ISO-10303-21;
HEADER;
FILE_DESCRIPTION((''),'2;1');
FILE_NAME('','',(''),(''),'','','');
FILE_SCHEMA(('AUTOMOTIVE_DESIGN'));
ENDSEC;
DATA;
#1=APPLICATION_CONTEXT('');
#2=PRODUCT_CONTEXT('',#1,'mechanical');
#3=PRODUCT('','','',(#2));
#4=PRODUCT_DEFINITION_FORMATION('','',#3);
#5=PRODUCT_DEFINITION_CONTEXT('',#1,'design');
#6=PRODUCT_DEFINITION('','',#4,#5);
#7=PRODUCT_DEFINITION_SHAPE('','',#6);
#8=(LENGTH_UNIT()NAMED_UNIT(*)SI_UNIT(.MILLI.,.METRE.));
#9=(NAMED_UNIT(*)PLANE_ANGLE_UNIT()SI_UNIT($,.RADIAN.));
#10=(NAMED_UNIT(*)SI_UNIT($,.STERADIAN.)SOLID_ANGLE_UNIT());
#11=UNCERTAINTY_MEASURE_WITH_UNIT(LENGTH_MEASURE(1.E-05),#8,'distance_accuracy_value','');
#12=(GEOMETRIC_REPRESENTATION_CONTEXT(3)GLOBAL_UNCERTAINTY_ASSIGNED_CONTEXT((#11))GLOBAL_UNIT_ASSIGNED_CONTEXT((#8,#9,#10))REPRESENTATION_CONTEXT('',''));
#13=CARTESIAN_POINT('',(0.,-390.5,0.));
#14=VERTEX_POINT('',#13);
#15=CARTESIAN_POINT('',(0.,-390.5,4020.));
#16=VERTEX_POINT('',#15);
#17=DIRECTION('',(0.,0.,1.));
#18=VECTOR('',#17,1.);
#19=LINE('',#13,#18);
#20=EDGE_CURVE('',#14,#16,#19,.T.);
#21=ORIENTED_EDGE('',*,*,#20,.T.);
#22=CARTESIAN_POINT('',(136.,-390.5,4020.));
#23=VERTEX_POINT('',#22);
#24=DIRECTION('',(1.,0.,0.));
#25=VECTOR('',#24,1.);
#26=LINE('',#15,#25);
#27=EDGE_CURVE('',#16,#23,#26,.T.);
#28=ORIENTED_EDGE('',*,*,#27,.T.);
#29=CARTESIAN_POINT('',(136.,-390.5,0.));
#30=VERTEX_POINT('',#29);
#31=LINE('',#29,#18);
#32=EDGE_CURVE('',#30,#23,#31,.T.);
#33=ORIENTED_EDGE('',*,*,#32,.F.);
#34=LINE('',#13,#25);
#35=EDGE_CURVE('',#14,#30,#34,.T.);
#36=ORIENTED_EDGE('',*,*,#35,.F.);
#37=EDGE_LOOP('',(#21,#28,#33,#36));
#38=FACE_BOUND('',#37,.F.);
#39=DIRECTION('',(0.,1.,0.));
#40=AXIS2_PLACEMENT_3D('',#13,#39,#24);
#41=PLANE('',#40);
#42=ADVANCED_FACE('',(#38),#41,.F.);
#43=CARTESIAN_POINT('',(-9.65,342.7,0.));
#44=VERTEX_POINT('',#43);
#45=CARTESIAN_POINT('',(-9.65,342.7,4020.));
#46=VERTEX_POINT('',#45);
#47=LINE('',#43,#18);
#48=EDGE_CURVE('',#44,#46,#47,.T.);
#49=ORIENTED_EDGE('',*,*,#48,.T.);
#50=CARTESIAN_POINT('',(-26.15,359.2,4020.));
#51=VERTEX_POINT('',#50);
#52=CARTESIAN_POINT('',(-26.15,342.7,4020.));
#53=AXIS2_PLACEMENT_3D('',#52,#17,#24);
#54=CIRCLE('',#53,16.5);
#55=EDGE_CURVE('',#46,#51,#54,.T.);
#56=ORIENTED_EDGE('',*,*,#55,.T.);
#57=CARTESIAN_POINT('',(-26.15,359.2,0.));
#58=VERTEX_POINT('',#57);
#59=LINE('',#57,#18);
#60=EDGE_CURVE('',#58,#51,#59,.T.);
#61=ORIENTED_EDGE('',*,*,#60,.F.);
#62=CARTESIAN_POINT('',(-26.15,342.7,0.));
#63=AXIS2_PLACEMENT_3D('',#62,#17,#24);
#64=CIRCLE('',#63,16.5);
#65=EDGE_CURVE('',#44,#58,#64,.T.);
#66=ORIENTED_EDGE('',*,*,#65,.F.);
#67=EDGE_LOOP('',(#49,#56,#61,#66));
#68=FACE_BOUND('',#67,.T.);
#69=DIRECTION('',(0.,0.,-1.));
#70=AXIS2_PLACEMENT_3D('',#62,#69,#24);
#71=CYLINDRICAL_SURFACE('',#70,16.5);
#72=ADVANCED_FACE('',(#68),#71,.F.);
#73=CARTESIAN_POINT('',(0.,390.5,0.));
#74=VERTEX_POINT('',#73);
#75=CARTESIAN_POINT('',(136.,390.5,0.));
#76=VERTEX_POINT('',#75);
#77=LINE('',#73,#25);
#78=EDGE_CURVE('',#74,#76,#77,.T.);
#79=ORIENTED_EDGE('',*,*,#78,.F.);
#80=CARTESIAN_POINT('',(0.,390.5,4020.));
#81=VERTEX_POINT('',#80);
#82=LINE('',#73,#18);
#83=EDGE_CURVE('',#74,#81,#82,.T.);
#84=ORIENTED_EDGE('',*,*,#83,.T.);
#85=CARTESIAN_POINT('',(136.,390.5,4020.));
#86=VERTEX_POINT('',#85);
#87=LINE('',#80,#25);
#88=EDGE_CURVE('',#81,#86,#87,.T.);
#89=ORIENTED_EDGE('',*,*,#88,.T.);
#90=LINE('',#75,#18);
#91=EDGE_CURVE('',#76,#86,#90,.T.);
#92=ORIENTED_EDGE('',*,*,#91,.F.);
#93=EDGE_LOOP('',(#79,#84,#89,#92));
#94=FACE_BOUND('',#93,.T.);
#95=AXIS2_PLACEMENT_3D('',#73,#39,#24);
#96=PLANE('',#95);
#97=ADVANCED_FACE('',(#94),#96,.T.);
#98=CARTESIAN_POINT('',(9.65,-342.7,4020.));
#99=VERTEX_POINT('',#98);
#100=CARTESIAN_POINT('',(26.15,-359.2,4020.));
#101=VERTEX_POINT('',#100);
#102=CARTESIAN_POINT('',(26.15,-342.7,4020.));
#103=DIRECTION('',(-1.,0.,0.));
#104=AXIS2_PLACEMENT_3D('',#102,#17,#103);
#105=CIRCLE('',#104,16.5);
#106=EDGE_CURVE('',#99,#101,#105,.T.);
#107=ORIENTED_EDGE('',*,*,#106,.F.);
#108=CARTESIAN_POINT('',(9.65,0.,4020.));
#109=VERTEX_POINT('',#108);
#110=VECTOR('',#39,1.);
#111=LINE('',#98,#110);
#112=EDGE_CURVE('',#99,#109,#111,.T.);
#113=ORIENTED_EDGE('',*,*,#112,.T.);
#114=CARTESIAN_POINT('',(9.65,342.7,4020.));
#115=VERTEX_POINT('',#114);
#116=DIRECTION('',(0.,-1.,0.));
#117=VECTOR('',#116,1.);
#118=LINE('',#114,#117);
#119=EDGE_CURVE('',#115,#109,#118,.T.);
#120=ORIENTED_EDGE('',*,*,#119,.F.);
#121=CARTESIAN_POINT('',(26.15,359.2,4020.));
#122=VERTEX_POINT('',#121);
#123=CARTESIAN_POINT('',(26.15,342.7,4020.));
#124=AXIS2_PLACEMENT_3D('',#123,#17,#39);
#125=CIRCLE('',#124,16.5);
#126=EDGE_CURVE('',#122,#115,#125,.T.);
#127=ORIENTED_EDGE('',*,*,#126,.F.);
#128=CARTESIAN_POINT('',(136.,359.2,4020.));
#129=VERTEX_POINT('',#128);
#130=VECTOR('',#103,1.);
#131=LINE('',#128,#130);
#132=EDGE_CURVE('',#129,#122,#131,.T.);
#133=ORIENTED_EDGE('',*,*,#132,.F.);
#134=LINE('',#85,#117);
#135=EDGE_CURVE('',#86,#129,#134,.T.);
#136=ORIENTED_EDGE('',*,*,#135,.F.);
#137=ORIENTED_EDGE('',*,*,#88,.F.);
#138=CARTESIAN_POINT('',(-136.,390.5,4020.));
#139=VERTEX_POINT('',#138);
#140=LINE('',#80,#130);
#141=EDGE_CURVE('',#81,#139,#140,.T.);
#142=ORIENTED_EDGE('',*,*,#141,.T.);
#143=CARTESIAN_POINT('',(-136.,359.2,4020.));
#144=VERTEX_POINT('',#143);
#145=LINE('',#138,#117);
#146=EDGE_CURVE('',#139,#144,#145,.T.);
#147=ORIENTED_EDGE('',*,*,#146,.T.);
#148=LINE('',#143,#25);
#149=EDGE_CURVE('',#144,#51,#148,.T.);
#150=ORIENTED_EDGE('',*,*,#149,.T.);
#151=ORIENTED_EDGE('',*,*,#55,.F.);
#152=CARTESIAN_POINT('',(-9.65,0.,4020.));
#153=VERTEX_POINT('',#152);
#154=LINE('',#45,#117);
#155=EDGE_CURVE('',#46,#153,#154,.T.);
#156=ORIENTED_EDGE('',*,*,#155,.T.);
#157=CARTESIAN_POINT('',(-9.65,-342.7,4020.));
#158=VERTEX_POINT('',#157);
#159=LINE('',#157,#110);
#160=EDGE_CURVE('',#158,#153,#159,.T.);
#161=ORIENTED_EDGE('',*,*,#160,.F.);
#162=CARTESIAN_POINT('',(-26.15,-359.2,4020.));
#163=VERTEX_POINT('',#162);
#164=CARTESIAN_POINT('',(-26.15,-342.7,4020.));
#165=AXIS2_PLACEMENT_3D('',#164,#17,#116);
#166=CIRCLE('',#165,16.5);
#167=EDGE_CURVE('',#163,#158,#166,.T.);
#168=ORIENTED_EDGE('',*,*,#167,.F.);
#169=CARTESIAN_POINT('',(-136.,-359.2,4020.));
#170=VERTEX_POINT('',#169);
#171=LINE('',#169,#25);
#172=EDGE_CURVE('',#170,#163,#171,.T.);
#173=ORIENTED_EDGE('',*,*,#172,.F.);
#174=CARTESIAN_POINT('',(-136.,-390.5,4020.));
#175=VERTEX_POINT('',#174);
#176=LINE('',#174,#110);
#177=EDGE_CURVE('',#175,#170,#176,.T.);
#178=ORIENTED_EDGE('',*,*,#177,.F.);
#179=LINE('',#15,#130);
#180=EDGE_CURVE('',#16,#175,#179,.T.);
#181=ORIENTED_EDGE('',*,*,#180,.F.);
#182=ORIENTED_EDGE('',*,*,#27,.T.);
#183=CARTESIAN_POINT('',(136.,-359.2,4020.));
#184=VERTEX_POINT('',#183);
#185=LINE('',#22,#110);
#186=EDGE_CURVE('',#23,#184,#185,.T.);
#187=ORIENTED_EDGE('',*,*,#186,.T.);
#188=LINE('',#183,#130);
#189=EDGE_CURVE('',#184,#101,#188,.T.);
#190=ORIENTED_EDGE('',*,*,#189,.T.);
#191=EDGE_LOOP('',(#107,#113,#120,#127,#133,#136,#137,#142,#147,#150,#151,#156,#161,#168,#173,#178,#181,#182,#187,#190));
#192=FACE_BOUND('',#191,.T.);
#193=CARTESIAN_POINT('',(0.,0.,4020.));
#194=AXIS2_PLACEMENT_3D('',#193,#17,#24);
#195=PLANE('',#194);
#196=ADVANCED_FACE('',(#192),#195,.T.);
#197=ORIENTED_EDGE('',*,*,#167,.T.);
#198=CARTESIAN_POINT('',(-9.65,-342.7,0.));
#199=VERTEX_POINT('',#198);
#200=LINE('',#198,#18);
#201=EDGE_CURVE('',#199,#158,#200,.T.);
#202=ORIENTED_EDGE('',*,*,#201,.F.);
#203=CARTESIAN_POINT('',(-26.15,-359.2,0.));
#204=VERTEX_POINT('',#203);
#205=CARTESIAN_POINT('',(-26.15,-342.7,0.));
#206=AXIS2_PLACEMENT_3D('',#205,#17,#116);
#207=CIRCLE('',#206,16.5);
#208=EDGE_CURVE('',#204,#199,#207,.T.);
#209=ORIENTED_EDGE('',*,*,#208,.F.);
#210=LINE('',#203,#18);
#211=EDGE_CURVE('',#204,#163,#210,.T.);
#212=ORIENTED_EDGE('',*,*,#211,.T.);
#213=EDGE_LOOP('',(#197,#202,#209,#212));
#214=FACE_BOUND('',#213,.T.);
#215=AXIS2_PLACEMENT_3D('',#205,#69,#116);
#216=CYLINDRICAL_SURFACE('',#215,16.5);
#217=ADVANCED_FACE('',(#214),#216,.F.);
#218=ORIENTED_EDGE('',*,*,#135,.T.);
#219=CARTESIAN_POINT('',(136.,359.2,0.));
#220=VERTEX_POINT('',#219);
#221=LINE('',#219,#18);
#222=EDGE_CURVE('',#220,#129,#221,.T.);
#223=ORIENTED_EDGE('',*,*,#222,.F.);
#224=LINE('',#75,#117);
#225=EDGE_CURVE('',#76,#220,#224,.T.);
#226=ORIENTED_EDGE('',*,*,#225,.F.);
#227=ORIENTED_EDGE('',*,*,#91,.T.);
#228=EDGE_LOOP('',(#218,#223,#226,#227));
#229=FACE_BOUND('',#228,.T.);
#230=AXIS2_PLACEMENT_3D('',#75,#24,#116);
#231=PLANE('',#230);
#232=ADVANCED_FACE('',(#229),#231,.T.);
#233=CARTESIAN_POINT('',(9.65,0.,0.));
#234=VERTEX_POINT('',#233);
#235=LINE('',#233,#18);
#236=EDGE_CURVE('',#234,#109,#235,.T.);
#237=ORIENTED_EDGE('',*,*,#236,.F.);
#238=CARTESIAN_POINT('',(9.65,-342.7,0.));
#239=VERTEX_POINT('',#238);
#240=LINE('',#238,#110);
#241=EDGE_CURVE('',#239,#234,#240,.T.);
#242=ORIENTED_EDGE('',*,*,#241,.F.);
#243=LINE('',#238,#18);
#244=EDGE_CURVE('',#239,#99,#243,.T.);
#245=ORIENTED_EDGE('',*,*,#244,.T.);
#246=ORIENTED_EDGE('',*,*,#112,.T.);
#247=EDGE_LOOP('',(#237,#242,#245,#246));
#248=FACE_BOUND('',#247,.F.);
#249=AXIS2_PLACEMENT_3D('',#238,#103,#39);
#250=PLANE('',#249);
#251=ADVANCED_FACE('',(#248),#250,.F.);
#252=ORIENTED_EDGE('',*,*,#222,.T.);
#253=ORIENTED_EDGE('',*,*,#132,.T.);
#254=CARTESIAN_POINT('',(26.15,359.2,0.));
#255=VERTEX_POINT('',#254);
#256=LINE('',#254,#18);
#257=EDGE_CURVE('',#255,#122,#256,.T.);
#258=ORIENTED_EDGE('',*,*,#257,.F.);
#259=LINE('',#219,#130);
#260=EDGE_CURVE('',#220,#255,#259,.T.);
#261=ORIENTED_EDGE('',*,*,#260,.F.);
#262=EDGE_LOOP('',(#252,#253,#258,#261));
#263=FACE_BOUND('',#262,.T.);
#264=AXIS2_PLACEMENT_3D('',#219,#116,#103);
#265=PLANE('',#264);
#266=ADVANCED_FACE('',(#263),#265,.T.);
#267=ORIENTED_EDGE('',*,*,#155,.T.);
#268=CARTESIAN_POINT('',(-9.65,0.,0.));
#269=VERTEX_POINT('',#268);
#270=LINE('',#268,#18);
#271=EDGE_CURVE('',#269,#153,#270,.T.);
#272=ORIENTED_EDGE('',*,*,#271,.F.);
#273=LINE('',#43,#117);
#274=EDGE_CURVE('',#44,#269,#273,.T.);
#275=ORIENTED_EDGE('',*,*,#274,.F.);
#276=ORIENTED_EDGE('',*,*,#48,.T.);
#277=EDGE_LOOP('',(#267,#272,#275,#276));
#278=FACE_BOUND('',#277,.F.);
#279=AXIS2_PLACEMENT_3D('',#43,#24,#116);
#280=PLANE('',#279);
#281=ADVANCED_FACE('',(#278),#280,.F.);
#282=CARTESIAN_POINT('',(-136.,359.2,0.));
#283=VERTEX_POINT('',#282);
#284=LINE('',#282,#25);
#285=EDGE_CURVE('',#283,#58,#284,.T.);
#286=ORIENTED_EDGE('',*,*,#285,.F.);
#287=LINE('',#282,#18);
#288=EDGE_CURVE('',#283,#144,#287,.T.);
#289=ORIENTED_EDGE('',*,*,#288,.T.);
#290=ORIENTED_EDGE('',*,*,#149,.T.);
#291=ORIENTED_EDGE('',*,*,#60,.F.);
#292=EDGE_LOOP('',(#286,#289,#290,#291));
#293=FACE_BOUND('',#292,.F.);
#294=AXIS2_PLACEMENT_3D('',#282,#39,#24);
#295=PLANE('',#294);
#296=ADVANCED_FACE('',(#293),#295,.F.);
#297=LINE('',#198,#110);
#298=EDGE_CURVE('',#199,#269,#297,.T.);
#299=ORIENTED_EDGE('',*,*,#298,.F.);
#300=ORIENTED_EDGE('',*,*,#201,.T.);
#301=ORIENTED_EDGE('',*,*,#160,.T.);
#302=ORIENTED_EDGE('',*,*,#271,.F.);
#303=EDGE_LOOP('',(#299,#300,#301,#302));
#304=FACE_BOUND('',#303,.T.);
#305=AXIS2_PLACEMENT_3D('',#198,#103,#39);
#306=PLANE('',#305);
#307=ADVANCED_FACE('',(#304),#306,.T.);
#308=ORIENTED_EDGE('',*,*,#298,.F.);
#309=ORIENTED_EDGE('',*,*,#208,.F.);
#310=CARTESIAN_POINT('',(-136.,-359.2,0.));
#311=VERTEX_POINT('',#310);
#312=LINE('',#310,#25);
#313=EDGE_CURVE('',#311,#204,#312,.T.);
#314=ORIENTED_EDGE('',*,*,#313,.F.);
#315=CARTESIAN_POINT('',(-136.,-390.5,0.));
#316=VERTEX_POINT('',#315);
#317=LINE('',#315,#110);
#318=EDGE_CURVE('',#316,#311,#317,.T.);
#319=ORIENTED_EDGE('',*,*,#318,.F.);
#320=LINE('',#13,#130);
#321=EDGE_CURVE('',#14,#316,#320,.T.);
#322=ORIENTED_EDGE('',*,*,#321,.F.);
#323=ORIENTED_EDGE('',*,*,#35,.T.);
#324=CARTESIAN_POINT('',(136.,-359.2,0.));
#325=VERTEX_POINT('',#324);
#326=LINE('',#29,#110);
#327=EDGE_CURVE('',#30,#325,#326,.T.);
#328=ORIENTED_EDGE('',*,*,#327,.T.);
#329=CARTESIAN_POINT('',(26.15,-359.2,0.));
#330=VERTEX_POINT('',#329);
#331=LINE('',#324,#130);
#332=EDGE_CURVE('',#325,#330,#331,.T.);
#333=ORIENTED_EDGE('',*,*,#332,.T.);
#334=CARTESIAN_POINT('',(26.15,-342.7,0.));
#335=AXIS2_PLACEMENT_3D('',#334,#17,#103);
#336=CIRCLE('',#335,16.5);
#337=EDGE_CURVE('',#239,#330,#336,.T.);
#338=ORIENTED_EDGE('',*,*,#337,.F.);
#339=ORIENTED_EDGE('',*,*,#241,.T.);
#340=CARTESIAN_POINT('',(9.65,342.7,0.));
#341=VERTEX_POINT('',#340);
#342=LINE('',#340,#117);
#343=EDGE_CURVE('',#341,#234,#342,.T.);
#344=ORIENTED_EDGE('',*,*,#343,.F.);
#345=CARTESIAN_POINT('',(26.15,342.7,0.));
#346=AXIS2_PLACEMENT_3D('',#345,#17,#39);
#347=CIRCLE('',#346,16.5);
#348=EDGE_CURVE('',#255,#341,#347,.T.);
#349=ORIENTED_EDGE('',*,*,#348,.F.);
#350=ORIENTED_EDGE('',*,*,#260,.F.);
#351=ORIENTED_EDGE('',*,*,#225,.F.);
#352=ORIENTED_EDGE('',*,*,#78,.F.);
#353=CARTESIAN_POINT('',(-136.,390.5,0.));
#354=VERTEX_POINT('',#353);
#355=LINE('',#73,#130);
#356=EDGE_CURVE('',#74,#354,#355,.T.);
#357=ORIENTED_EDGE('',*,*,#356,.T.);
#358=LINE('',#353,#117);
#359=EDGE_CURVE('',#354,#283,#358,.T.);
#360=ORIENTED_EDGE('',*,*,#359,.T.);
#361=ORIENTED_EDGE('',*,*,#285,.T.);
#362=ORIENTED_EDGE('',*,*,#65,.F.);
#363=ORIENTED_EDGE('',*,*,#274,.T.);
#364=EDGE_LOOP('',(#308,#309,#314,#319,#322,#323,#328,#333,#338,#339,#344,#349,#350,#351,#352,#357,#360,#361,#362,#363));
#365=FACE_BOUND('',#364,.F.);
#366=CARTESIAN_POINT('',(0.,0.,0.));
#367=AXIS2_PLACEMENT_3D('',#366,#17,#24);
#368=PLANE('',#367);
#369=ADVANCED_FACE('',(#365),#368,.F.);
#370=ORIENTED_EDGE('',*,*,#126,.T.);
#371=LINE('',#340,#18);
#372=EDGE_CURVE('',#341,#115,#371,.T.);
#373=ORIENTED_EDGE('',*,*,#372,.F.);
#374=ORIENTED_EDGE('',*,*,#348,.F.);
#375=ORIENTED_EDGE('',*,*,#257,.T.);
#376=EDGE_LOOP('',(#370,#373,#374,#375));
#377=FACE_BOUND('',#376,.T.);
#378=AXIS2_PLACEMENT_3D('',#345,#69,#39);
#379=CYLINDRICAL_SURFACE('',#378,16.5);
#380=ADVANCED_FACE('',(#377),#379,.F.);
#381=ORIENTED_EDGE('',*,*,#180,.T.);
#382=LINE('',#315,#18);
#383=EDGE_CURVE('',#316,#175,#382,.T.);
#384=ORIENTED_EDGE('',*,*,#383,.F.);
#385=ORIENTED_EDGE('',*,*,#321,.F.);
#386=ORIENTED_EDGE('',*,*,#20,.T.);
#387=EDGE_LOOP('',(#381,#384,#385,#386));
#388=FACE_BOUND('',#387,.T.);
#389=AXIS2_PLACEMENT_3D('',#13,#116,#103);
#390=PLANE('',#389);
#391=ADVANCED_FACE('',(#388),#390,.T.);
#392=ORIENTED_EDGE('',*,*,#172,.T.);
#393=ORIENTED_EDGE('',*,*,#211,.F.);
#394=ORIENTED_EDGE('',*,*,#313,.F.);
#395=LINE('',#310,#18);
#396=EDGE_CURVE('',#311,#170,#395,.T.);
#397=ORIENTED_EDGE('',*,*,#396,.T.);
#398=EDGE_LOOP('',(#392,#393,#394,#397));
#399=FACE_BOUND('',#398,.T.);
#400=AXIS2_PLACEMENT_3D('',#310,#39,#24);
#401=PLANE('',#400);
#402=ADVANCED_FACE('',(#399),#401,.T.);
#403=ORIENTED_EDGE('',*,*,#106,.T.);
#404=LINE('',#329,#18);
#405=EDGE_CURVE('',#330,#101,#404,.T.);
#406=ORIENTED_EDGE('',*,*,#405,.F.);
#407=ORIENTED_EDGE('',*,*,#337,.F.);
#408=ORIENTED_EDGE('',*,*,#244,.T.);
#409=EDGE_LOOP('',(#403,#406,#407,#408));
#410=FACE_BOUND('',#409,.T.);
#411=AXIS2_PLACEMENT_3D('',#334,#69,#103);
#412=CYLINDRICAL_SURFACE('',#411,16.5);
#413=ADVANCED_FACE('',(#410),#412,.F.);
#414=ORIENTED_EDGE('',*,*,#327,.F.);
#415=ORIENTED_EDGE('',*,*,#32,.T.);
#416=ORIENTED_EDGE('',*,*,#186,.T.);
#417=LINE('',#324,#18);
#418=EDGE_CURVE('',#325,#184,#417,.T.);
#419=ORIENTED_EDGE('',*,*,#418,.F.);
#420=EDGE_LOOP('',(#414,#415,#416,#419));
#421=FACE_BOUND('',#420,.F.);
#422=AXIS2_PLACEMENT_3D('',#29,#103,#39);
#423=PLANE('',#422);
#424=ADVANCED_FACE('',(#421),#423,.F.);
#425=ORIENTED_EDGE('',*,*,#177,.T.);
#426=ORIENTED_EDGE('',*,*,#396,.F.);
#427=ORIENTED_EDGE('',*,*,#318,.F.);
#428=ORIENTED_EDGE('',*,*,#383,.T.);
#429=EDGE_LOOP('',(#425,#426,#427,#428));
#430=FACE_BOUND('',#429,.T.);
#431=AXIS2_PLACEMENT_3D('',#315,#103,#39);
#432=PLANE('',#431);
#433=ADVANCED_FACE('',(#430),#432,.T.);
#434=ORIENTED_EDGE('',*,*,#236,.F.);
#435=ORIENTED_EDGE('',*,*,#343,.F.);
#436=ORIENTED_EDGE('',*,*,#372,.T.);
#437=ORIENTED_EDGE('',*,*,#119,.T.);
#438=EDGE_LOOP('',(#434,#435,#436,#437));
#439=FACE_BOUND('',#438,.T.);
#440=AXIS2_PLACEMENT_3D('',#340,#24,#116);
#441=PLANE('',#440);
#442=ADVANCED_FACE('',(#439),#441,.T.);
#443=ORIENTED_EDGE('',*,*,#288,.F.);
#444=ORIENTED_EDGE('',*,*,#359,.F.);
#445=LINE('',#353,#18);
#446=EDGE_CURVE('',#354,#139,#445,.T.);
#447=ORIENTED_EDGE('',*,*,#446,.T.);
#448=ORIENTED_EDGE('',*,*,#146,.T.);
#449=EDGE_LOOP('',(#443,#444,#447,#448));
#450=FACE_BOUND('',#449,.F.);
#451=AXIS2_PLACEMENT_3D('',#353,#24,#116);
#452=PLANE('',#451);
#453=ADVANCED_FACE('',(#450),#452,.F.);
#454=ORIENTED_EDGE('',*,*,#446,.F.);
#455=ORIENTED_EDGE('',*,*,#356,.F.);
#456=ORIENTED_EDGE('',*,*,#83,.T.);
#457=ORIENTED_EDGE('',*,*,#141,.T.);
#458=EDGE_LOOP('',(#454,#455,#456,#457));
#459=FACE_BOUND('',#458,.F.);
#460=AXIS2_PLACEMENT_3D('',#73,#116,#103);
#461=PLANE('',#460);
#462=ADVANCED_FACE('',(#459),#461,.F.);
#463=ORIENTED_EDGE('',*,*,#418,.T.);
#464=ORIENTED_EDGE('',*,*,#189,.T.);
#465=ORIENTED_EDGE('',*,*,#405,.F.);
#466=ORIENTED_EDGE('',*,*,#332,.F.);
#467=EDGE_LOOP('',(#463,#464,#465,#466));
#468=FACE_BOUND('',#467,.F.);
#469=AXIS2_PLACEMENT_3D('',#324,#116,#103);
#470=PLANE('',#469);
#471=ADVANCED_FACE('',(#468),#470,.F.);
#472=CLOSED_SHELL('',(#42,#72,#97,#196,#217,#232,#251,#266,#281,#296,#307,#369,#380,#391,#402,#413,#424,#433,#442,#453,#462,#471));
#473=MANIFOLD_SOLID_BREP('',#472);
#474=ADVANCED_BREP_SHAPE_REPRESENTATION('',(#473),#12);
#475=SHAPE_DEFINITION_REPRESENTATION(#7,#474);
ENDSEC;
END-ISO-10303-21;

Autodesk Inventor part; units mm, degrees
ref_plane "YZ Plane" through (0, 0, 0) normal (1, 0, 0) x (0, 1, 0)
ref_plane "Start plane" through (0, 0, 0) normal (0, 0, 1) x (1, 0, 0)
ref_plane "End plane" through (0, 0, 4020) normal (0, 0, 1) x (1, 0, 0)
sketch "Sketch" plane through (0, 0, 0) normal (0, 0, 1) x (1, 0, 0)
  line L0 (-136, -390.5) -> (-136, -359.2)
  line L1 (-136, -359.2) -> (-26.15, -359.2)
  line L2 (-9.65, -342.7) -> (-9.65, 0)
  line L3 (-9.65, 0) -> (0, 0) construction
  line L4 (0, 0) -> (0, -390.5) construction
  line L5 (0, -390.5) -> (-136, -390.5)
  line L6 (-60, 0) -> (80, 0) construction
  line L7 (0, -60) -> (0, 80) construction
  line L8 (136, -390.5) -> (136, -359.2)
  line L9 (136, -359.2) -> (26.15, -359.2)
  line L10 (9.65, -342.7) -> (9.65, 0)
  line L11 (9.65, 0) -> (0, 0) construction
  line L12 (0, -390.5) -> (136, -390.5)
  line L13 (-136, 390.5) -> (-136, 359.2)
  line L14 (-136, 359.2) -> (-26.15, 359.2)
  line L15 (-9.65, 342.7) -> (-9.65, 0)
  line L16 (0, 390.5) -> (-136, 390.5)
  line L17 (136, 390.5) -> (136, 359.2)
  line L18 (136, 359.2) -> (26.15, 359.2)
  line L19 (0, 390.5) -> (136, 390.5)
  line L20 (9.65, 342.7) -> (9.65, 0)
  arc A0 (-9.65, 342.7) -> (-26.15, 359.2) centre (-26.15, 342.7) ccw
  arc A1 (26.15, 359.2) -> (9.65, 342.7) centre (26.15, 342.7) ccw
  arc A2 (9.65, -342.7) -> (26.15, -359.2) centre (26.15, -342.7) ccw
  arc A3 (-26.15, -359.2) -> (-9.65, -342.7) centre (-26.15, -342.7) ccw
  line L21 (0, 108) -> (0, -88) construction
  line L22 (-88, 0) -> (108, 0) construction
  point P0 (-9.65, -359.2)
  point P1 (9.65, -359.2)
  point P2 (-9.65, 359.2)
  point P3 (9.65, 359.2)
  dimension "d1" = 390.5
  dimension "d2" = 31.3
  dimension "d3" = 136
  dimension "d4" = 9.65
  dimension "d10" = 16.5
extrude "Body" add sketch "Sketch" along normal up to surface (4020 mm away) from surface at 0
sketch "Sketch4" plane through (0, 0, 0) normal (0, 0, 1) x (1, 0, 0)
  line L0 (0, 0) -> (10, 0)
ref_plane "Work Plane3" through (0, 0, 0) normal (0, -1, 0) x (1, 0, 0)
sketch "Sketch5" plane through (0, 0, 0) normal (0, -1, 0) x (1, 0, 0)
  line L0 (-2, 0) -> (12, 0) projected
  line L1 (-2, 4020) -> (12, 4020) projected
  dimension "d14" = 4020
equation "\"d1\" = 0.5 * G_H"
equation "\"d2\" = G_T1"
equation "\"d3\" = 0.5 * G_W"
equation "\"d4\" = 0.5 * G_T"
equation "\"d10\" = G_IR"
equation "\"d5\" = G_L"
equation "\"G_W\" = 272"
equation "\"G_H\" = 781"
equation "\"G_T\" = 19.3"
equation "\"G_T1\" = 31.3"
equation "\"G_IR\" = 16.5"
equation "\"G_L\" = d14"
equation "\"G_OFFSET_START\" = 0"
equation "\"G_OFFSET_END\" = 0"
properties part number "AS 3679-1990 - 760 UB - 244 - 4020" material "Steel, Mild"
